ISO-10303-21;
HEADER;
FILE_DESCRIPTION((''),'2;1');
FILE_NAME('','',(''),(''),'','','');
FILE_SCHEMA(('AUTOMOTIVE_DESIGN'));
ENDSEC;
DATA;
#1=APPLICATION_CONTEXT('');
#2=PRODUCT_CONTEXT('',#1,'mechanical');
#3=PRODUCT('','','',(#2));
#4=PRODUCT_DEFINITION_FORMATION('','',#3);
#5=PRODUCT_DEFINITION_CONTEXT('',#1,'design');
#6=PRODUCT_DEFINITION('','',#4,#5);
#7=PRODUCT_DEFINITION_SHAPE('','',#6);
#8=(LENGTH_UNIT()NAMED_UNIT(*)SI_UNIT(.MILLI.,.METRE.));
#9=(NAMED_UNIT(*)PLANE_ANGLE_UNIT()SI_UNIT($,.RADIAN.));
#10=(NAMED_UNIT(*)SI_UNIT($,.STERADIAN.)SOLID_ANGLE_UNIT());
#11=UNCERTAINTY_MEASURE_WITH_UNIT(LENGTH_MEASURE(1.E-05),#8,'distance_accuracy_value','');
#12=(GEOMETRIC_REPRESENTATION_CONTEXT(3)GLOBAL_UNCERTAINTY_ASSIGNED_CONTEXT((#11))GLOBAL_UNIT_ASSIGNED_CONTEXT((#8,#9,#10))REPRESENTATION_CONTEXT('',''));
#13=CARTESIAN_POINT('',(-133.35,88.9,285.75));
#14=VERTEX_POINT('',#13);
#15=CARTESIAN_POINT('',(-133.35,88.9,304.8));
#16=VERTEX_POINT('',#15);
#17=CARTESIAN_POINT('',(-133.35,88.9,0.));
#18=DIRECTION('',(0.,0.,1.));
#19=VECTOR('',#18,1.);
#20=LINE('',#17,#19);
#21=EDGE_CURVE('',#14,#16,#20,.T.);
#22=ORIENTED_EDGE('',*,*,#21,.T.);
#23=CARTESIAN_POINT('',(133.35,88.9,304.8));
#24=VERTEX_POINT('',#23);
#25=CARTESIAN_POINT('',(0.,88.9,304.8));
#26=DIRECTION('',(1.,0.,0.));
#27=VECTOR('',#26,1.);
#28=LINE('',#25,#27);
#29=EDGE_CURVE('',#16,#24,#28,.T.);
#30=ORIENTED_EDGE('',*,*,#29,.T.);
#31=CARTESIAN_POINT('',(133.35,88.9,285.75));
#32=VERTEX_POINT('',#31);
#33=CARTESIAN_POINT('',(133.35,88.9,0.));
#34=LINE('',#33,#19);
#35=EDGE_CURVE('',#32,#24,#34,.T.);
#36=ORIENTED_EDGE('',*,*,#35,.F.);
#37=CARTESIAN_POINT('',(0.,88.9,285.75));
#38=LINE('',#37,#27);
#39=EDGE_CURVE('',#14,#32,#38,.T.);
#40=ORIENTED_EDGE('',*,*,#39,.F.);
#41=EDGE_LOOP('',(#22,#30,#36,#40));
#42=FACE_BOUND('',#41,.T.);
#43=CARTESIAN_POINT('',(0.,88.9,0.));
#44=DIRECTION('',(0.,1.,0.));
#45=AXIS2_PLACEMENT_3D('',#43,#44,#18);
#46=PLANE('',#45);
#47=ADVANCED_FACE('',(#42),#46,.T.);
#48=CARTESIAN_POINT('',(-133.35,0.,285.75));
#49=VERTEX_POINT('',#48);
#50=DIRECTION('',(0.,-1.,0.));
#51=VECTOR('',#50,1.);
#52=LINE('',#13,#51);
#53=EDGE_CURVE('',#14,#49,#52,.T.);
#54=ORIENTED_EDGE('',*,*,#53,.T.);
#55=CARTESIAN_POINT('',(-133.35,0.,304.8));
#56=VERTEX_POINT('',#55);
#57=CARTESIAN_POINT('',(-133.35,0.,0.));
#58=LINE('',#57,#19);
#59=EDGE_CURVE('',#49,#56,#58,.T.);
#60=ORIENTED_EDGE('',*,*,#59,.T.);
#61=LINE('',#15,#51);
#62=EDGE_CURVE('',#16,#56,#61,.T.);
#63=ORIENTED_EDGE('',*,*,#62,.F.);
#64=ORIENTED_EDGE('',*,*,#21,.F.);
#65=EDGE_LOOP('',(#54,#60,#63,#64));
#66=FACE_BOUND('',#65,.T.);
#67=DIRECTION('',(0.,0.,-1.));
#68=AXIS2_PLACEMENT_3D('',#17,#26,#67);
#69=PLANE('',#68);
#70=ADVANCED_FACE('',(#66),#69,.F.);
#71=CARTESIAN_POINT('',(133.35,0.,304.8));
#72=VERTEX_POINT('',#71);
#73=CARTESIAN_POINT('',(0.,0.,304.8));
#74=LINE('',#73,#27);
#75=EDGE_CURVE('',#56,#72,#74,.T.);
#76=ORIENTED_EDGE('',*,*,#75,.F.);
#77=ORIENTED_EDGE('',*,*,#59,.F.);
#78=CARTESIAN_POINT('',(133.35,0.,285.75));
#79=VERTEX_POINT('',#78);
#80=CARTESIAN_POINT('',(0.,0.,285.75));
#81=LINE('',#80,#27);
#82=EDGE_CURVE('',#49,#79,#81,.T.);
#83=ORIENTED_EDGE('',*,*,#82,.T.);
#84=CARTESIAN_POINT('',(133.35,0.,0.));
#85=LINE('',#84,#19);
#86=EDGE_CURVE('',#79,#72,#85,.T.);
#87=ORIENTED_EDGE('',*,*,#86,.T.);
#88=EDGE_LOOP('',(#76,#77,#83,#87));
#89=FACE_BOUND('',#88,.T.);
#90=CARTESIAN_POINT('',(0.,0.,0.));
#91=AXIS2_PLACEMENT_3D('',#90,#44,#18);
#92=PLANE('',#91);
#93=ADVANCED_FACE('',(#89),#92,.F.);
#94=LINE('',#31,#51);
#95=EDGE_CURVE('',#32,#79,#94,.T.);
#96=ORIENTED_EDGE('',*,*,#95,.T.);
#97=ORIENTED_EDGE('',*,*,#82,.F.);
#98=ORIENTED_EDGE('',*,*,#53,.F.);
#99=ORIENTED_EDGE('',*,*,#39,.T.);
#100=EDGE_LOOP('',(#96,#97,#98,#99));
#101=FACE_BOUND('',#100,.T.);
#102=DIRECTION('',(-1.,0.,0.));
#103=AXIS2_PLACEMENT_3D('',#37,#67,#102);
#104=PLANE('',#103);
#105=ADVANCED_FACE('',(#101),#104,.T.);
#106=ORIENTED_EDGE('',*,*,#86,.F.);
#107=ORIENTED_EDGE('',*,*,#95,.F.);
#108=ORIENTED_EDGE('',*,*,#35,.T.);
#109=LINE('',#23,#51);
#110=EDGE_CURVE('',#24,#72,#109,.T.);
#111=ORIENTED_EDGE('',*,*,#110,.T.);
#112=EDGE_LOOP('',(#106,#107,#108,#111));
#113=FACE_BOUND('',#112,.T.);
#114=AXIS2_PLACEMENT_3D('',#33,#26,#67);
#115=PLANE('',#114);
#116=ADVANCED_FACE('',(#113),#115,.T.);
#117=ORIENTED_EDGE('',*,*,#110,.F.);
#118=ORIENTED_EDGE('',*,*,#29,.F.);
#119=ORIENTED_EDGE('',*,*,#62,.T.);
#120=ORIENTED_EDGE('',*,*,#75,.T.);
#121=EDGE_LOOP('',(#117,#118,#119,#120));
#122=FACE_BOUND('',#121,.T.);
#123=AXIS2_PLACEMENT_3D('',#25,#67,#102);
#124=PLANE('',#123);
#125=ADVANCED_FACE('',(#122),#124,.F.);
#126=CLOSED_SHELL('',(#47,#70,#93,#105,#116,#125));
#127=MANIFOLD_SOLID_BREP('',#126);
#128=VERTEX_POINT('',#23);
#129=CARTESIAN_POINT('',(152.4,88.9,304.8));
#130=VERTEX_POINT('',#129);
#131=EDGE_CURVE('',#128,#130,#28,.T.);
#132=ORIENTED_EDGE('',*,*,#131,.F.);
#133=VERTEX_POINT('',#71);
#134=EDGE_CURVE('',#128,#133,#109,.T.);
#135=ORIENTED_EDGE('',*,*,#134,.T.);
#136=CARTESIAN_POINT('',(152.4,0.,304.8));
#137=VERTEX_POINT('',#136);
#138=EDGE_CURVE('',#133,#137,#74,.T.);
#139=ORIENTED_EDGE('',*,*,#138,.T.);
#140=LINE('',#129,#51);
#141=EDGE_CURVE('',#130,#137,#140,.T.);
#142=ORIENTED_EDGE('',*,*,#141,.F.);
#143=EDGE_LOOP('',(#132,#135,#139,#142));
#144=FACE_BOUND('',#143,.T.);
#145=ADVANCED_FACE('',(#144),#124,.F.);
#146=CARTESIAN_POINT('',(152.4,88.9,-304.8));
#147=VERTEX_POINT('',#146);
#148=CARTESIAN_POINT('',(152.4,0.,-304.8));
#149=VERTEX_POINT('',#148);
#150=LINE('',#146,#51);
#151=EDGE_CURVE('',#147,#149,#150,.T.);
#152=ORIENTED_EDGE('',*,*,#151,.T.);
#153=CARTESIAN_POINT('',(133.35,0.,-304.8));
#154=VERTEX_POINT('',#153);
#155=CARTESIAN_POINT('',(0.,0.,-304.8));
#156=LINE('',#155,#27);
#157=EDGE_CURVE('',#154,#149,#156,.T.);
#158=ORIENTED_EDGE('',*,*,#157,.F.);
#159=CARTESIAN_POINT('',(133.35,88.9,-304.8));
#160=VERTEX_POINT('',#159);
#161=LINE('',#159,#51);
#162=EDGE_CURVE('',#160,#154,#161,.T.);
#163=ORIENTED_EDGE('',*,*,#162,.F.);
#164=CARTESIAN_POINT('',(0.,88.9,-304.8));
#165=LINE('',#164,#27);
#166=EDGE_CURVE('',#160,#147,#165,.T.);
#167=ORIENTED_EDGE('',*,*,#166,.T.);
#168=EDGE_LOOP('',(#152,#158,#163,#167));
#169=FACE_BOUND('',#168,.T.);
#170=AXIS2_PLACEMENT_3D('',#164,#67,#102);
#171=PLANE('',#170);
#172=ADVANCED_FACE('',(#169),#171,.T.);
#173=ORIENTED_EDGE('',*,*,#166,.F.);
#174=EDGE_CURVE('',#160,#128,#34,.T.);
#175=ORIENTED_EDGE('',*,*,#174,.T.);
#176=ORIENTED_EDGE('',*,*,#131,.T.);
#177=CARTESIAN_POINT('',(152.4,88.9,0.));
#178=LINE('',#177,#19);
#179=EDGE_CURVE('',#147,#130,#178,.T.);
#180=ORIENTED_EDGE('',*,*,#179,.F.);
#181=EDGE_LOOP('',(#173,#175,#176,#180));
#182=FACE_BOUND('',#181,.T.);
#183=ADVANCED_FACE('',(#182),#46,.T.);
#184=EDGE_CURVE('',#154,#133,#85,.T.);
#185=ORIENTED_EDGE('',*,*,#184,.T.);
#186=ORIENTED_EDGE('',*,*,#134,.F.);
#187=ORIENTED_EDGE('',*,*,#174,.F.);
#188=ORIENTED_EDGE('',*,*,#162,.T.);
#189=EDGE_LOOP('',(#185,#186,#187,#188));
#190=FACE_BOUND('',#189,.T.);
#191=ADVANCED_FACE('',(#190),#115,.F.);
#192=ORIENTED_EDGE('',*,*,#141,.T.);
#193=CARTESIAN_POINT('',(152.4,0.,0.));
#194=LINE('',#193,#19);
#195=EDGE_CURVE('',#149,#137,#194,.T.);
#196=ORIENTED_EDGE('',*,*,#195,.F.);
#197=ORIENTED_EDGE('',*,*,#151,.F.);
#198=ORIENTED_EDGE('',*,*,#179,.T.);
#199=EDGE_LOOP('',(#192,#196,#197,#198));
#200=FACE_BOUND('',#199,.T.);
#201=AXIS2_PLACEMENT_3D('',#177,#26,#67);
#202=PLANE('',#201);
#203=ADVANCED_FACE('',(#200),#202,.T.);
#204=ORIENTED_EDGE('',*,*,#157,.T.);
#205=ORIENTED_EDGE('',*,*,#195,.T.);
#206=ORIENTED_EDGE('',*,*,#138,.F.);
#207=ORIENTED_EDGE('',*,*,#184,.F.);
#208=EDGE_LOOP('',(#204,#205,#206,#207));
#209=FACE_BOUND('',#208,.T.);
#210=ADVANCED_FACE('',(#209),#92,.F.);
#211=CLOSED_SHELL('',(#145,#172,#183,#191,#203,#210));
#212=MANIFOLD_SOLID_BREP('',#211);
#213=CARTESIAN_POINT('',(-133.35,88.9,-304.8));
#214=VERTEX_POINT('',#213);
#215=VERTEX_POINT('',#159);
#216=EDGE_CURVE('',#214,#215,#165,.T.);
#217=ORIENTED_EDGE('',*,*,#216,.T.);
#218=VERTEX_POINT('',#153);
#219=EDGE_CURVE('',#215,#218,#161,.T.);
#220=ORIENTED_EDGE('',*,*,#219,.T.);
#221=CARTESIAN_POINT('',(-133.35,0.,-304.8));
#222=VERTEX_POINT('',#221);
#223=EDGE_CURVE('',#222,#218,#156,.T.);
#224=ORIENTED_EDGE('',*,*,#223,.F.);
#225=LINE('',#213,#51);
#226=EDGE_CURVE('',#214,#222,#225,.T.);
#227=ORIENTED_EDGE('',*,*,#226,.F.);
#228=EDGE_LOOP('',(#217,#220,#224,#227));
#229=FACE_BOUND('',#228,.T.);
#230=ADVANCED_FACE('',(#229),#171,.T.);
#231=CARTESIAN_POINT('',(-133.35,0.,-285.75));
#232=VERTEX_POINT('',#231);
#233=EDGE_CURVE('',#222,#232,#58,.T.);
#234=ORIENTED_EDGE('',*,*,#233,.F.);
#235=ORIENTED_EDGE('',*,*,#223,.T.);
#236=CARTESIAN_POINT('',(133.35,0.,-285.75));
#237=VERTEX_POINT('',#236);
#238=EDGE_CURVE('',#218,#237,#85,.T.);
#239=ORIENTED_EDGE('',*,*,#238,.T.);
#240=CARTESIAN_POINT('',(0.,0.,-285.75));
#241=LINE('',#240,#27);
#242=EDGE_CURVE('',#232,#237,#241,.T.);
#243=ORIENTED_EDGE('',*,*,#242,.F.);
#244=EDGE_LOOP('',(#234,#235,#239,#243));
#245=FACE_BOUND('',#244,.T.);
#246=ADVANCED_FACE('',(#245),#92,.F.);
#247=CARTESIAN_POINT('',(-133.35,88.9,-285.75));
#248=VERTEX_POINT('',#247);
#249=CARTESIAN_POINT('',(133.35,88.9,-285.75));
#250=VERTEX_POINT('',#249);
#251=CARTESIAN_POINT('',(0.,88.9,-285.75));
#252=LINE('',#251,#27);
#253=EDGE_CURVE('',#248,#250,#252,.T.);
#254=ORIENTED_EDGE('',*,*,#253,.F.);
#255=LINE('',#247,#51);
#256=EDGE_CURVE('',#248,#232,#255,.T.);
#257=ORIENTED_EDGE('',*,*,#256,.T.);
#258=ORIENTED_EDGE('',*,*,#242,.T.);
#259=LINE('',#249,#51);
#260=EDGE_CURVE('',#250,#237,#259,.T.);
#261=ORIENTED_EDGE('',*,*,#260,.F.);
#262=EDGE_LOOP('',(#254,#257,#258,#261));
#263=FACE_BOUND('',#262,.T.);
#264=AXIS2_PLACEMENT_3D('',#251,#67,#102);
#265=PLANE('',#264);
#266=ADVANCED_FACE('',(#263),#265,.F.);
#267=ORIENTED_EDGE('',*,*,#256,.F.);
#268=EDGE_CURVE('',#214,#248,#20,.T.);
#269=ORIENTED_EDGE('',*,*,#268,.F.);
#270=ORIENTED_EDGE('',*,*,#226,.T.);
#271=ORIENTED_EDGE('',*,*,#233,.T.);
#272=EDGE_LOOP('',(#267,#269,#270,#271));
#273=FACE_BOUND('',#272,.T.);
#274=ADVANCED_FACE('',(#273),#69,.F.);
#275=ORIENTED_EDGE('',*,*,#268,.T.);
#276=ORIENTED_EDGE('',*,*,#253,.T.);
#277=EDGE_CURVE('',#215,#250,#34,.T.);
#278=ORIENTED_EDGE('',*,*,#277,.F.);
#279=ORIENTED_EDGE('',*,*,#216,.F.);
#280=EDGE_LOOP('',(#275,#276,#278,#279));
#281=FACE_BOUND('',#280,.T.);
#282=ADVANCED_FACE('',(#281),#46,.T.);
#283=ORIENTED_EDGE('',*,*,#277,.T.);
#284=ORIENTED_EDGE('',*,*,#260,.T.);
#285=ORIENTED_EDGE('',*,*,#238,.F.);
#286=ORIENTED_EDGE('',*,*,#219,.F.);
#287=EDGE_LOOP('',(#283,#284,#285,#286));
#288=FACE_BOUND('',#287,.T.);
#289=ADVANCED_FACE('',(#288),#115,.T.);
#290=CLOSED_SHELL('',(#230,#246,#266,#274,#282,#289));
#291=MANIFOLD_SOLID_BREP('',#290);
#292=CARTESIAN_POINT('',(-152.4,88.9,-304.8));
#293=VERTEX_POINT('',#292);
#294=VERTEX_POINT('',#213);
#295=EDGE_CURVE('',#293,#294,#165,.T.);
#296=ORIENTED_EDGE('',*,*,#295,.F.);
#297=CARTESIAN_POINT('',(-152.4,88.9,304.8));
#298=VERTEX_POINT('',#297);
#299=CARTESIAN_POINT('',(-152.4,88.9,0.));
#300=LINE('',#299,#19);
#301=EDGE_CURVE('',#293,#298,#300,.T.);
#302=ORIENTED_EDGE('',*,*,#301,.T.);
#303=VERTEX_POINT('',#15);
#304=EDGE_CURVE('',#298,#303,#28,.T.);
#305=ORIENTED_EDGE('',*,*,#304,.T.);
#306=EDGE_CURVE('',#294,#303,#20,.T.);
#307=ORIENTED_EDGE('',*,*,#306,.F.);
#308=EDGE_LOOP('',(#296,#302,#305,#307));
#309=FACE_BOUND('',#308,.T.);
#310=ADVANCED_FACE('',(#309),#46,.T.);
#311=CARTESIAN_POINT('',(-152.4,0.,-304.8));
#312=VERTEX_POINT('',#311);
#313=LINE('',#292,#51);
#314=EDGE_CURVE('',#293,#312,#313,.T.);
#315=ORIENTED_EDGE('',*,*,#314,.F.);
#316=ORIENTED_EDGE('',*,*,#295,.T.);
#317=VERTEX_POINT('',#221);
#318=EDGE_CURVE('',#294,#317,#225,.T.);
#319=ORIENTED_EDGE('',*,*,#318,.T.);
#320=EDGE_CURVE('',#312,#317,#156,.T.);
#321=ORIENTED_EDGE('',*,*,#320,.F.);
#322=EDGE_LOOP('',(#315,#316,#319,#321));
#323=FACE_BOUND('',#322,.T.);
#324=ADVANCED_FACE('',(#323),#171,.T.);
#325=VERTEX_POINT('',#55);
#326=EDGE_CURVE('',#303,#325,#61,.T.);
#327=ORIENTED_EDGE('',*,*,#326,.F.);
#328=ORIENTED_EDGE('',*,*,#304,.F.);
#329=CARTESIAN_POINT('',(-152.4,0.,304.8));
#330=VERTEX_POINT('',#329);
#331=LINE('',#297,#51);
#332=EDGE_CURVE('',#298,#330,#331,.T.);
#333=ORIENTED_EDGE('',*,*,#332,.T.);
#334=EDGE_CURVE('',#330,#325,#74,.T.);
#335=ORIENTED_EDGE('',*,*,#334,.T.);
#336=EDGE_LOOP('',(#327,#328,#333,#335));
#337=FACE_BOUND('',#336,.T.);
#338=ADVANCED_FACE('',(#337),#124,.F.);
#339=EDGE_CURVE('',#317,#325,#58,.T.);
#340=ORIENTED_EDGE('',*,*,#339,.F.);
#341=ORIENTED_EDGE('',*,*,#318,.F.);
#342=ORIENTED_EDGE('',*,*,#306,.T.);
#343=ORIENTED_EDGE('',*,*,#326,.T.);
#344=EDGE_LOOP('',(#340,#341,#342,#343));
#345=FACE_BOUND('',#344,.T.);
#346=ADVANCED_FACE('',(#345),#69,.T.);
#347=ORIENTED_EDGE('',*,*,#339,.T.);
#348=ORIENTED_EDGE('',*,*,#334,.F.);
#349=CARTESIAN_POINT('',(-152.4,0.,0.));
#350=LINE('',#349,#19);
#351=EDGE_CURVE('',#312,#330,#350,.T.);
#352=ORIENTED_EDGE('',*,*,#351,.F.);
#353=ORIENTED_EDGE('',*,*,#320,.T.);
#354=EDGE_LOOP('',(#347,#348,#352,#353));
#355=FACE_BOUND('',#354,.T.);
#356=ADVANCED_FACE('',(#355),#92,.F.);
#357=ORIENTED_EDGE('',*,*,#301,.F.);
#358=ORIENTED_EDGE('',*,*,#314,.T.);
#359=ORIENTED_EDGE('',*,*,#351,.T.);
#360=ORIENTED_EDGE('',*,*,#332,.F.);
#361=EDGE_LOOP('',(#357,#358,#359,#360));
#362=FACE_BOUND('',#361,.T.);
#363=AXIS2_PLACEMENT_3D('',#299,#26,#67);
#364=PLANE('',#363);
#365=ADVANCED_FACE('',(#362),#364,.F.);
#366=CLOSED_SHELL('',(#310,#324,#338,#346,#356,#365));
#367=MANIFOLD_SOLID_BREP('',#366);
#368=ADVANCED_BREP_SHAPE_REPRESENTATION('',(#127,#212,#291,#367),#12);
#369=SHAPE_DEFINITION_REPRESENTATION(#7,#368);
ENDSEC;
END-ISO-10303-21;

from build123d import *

# Parameters (mm, degrees)
SKETCH1_W             = 19.05
SKETCH1_H             = 609.6
BOSS_EXTRUDE1_DEPTH   = 88.9
BOSS_EXTRUDE1_2_DEPTH = 88.9
SKETCH1_5_W           = 266.7
SKETCH1_5_H           = 19.05
BOSS_EXTRUDE2_DEPTH   = 88.9
BOSS_EXTRUDE2_2_DEPTH = 88.9


with BuildPart() as part:
    # Sketch1 → Boss-Extrude1 (new body)
    with BuildSketch(Plane(origin=(0, 0, 0), x_dir=(1, 0, 0), z_dir=(0, 1, 0))):
        with Locations((-142.875, 0)):
            Rectangle(SKETCH1_W, SKETCH1_H)
    extrude(amount=BOSS_EXTRUDE1_DEPTH)


with BuildPart() as body_2:
    # Sketch1 → Boss-Extrude1 2 (new body)
    with BuildSketch(Plane(origin=(0, 0, 0), x_dir=(1, 0, 0), z_dir=(0, 1, 0))):
        with Locations((142.875, 0)):
            Rectangle(SKETCH1_W, SKETCH1_H)
    extrude(amount=BOSS_EXTRUDE1_2_DEPTH)


with BuildPart() as body_3:
    # Sketch1<5> → Boss-Extrude2 (new body)
    with BuildSketch(Plane(origin=(0, 0, 0), x_dir=(1, 0, 0), z_dir=(0, 1, 0))):
        with Locations((0, 295.275)):
            Rectangle(SKETCH1_5_W, SKETCH1_5_H)
    extrude(amount=BOSS_EXTRUDE2_DEPTH)


with BuildPart() as body_4:
    # Sketch1<5> → Boss-Extrude2 2 (new body)
    with BuildSketch(Plane(origin=(0, 0, 0), x_dir=(1, 0, 0), z_dir=(0, 1, 0))):
        with Locations((0, -295.275)):
            Rectangle(SKETCH1_5_W, SKETCH1_5_H)
    extrude(amount=BOSS_EXTRUDE2_2_DEPTH)


solid = Compound([part.part, body_2.part, body_3.part, body_4.part])
